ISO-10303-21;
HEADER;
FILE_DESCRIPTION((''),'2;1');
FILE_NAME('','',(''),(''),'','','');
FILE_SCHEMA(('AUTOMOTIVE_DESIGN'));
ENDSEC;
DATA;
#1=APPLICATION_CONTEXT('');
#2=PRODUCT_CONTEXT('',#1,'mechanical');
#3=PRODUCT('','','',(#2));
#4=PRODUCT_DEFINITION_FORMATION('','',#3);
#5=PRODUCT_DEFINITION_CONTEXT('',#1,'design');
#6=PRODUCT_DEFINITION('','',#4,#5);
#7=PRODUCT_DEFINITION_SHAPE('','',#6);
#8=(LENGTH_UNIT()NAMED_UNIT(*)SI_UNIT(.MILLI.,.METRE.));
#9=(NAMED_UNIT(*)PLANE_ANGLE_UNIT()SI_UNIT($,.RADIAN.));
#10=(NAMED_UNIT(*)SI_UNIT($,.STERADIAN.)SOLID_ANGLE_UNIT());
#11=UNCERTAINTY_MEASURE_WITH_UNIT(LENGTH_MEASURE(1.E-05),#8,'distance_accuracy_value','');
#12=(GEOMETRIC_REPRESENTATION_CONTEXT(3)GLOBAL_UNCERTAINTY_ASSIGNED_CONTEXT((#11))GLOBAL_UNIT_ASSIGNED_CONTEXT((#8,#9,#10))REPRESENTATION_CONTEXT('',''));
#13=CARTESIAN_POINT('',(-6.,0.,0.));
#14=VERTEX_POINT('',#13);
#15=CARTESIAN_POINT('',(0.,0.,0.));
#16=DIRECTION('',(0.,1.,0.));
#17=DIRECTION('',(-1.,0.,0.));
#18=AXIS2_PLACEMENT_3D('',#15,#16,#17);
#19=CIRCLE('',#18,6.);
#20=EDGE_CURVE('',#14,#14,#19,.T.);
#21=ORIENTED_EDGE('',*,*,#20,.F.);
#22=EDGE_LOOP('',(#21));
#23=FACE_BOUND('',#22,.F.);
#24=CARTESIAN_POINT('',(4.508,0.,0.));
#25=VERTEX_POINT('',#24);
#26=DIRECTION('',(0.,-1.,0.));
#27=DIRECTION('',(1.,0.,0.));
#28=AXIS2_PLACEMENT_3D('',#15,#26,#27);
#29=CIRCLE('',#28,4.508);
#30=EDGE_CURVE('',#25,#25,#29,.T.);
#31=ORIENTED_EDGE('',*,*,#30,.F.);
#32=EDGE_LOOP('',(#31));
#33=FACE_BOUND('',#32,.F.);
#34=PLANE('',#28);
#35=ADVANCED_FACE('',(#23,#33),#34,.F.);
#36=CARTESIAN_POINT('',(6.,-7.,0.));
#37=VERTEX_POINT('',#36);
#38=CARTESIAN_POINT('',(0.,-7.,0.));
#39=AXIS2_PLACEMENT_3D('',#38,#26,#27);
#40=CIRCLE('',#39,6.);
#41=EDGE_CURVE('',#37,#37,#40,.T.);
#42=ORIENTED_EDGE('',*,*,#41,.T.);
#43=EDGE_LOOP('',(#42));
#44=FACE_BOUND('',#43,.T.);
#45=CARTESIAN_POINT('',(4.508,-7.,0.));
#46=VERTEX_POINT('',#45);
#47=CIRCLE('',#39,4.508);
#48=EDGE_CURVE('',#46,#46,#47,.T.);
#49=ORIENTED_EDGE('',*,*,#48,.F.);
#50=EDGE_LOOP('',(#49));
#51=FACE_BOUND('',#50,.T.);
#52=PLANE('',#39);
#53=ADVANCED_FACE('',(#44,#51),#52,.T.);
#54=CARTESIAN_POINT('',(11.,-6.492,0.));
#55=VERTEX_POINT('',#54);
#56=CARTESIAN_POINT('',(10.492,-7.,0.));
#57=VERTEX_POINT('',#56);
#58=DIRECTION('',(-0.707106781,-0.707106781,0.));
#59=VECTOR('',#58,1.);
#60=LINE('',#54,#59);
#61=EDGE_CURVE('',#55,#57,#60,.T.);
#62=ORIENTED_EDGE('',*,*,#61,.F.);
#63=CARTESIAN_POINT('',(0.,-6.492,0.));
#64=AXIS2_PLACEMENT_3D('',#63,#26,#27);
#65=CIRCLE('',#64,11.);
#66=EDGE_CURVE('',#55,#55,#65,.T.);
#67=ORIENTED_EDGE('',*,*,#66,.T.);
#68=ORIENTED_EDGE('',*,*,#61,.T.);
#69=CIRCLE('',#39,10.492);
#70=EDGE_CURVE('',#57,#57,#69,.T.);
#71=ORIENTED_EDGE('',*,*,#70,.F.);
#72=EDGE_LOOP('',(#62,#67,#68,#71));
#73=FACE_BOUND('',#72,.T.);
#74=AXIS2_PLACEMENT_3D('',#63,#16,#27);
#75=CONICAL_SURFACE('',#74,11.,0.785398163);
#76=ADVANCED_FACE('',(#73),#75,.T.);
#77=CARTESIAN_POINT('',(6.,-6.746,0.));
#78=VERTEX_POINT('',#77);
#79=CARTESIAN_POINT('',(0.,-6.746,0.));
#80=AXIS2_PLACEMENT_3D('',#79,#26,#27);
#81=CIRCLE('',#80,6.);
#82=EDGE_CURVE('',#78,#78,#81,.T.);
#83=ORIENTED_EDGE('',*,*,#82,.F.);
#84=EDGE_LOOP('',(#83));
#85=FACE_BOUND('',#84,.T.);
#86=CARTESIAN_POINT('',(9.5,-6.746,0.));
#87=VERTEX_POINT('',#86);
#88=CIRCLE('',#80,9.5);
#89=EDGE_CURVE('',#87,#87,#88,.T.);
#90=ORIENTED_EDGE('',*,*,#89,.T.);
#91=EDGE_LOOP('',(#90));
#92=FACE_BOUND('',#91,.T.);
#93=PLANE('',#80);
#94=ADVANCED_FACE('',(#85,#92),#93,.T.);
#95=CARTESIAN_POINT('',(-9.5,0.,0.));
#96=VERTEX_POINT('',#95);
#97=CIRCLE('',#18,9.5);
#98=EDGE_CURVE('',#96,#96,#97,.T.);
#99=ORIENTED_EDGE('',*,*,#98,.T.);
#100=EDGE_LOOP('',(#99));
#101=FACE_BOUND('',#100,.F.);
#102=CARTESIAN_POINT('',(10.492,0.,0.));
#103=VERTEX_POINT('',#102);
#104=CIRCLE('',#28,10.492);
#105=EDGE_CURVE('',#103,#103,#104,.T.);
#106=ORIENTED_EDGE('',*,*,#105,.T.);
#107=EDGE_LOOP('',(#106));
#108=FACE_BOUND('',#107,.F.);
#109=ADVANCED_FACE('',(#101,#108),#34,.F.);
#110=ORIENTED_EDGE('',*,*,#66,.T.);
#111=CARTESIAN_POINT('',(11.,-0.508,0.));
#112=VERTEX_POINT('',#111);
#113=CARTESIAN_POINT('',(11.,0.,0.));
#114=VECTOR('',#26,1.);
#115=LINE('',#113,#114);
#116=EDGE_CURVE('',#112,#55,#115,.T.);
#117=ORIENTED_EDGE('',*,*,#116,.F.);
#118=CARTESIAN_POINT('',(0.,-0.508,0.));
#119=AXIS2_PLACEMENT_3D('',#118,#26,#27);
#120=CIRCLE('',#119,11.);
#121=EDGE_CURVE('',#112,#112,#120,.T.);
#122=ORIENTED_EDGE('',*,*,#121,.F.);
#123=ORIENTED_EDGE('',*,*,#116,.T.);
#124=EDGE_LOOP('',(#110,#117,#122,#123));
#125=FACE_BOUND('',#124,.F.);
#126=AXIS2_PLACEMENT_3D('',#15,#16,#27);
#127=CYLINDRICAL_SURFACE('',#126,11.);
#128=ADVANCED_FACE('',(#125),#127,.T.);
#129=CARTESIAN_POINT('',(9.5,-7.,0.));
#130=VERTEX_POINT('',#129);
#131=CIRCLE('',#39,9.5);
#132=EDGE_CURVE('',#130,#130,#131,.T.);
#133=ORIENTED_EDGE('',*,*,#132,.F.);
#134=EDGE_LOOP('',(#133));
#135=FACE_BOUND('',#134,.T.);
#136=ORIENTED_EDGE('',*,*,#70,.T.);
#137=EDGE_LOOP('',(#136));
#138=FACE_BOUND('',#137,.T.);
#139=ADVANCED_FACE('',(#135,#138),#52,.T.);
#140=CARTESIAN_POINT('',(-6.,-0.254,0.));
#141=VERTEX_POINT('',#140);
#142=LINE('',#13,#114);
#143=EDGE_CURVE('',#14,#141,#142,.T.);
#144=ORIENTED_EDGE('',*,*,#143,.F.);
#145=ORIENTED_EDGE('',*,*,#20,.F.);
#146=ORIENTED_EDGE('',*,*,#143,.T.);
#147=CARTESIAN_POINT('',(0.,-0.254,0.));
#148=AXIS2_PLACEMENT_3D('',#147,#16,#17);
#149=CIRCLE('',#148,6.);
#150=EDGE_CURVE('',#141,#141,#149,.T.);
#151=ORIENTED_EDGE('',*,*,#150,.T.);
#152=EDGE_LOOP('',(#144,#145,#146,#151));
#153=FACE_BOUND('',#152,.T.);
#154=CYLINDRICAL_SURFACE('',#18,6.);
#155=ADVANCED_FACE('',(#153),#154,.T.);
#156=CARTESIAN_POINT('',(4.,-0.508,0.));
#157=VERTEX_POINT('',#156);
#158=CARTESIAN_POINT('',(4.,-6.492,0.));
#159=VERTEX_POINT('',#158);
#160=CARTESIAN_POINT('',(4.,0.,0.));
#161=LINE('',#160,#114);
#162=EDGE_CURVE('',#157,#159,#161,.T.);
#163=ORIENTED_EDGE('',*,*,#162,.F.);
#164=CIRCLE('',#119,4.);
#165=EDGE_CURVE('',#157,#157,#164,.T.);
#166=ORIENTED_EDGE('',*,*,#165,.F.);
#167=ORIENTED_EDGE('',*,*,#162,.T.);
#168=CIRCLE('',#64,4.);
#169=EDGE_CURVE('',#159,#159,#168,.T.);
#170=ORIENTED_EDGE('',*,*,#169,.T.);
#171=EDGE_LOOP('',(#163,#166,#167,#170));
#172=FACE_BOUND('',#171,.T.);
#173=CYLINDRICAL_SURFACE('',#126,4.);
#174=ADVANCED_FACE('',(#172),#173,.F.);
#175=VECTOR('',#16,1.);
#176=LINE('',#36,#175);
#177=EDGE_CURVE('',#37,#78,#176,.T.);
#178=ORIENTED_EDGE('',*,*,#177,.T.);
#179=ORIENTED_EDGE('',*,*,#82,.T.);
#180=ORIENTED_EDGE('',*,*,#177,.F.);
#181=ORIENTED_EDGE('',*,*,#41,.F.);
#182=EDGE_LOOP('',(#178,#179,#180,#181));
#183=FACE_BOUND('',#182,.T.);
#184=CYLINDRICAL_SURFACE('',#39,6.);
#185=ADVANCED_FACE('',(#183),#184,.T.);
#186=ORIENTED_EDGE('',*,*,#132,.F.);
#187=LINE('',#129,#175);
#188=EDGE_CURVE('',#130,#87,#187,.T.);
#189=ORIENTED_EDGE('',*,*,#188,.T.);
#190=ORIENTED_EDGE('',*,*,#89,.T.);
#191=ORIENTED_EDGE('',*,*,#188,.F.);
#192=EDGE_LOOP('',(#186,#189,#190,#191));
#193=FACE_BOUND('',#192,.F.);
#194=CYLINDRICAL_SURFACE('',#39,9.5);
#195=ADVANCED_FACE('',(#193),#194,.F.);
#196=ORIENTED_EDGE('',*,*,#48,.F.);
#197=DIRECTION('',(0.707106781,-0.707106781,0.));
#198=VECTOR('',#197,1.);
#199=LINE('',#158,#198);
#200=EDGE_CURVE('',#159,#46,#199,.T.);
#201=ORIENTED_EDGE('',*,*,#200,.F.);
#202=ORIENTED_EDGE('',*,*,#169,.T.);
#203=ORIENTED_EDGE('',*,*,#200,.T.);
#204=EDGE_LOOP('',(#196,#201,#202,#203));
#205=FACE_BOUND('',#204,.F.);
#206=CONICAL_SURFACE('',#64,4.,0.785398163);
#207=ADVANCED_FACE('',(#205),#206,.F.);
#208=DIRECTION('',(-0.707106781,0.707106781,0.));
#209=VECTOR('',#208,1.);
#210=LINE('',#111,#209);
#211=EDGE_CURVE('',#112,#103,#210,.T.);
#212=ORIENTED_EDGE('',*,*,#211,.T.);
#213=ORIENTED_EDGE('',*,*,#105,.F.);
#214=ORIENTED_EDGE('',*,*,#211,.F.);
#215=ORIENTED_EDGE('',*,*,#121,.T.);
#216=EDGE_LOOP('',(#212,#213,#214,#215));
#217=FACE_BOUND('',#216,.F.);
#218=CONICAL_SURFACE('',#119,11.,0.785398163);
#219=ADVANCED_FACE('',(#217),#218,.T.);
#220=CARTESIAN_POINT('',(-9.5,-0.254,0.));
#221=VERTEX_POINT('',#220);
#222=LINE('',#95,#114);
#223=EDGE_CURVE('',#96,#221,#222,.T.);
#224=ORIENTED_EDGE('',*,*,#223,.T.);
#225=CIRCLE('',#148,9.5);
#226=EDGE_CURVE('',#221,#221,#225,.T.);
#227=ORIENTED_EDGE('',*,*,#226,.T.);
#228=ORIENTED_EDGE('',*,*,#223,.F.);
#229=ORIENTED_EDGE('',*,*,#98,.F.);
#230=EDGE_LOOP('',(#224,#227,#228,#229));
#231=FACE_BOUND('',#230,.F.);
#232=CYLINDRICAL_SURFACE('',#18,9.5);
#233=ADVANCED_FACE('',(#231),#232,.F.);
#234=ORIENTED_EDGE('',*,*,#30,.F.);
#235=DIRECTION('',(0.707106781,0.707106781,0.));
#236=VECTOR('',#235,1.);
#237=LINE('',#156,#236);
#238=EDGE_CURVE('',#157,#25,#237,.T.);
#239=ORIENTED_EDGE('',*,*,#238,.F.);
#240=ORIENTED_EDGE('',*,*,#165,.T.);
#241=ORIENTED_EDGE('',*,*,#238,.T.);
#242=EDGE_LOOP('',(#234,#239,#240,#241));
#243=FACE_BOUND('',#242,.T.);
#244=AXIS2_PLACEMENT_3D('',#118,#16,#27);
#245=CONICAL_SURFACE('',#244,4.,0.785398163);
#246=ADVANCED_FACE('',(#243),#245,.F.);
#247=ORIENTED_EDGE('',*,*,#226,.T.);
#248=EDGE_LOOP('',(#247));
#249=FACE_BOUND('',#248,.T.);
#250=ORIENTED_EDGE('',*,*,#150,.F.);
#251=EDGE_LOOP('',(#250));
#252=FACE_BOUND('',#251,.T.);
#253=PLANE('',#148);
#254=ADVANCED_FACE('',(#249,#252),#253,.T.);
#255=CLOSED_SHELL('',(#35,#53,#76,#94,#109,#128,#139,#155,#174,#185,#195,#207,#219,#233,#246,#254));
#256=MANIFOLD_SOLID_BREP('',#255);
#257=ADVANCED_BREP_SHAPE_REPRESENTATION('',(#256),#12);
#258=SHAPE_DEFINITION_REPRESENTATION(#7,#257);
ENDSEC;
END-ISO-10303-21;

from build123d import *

# Parameters (mm, degrees)
F0_R     = 11
F0_R_2   = 4
F1_DEPTH = 7
F2_SIZE  = 0.508
F3_R     = 9.5
F3_R_2   = 6
F4_DEPTH = 0.254
F5_R     = 9.5
F5_R_2   = 6
F6_DEPTH = 0.254


with BuildPart() as f1:
    # F0 (on Front) → F1 (new body)
    with BuildSketch(Plane.XZ):
        Circle(F0_R)
        Circle(F0_R_2, mode=Mode.SUBTRACT)
    extrude(amount=F1_DEPTH)

    # F2
    f2_edges = [f1.edges().sort_by_distance(p)[0] for p in [
        (11, -3.5, 0),
        (-11, 0, 0),
        (-11, -7, 0),
        (4, -3.5, 0),
        (-4, 0, 0),
        (-4, -7, 0),
    ]]
    chamfer(f2_edges, length=F2_SIZE)

    # F3 (on face) → F4 (cut)
    with BuildSketch(Plane(origin=(0, 0, 0), x_dir=(-1, 0, 0), z_dir=(0, 1, 0))):
        Circle(F3_R)
        Circle(F3_R_2, mode=Mode.SUBTRACT)
    extrude(amount=-F4_DEPTH, mode=Mode.SUBTRACT)

    # F5 (on face) → F6 (cut)
    with BuildSketch(Plane.XZ.offset(7)):
        Circle(F5_R)
        Circle(F5_R_2, mode=Mode.SUBTRACT)
    extrude(amount=-F6_DEPTH, mode=Mode.SUBTRACT)


solid = f1.part
